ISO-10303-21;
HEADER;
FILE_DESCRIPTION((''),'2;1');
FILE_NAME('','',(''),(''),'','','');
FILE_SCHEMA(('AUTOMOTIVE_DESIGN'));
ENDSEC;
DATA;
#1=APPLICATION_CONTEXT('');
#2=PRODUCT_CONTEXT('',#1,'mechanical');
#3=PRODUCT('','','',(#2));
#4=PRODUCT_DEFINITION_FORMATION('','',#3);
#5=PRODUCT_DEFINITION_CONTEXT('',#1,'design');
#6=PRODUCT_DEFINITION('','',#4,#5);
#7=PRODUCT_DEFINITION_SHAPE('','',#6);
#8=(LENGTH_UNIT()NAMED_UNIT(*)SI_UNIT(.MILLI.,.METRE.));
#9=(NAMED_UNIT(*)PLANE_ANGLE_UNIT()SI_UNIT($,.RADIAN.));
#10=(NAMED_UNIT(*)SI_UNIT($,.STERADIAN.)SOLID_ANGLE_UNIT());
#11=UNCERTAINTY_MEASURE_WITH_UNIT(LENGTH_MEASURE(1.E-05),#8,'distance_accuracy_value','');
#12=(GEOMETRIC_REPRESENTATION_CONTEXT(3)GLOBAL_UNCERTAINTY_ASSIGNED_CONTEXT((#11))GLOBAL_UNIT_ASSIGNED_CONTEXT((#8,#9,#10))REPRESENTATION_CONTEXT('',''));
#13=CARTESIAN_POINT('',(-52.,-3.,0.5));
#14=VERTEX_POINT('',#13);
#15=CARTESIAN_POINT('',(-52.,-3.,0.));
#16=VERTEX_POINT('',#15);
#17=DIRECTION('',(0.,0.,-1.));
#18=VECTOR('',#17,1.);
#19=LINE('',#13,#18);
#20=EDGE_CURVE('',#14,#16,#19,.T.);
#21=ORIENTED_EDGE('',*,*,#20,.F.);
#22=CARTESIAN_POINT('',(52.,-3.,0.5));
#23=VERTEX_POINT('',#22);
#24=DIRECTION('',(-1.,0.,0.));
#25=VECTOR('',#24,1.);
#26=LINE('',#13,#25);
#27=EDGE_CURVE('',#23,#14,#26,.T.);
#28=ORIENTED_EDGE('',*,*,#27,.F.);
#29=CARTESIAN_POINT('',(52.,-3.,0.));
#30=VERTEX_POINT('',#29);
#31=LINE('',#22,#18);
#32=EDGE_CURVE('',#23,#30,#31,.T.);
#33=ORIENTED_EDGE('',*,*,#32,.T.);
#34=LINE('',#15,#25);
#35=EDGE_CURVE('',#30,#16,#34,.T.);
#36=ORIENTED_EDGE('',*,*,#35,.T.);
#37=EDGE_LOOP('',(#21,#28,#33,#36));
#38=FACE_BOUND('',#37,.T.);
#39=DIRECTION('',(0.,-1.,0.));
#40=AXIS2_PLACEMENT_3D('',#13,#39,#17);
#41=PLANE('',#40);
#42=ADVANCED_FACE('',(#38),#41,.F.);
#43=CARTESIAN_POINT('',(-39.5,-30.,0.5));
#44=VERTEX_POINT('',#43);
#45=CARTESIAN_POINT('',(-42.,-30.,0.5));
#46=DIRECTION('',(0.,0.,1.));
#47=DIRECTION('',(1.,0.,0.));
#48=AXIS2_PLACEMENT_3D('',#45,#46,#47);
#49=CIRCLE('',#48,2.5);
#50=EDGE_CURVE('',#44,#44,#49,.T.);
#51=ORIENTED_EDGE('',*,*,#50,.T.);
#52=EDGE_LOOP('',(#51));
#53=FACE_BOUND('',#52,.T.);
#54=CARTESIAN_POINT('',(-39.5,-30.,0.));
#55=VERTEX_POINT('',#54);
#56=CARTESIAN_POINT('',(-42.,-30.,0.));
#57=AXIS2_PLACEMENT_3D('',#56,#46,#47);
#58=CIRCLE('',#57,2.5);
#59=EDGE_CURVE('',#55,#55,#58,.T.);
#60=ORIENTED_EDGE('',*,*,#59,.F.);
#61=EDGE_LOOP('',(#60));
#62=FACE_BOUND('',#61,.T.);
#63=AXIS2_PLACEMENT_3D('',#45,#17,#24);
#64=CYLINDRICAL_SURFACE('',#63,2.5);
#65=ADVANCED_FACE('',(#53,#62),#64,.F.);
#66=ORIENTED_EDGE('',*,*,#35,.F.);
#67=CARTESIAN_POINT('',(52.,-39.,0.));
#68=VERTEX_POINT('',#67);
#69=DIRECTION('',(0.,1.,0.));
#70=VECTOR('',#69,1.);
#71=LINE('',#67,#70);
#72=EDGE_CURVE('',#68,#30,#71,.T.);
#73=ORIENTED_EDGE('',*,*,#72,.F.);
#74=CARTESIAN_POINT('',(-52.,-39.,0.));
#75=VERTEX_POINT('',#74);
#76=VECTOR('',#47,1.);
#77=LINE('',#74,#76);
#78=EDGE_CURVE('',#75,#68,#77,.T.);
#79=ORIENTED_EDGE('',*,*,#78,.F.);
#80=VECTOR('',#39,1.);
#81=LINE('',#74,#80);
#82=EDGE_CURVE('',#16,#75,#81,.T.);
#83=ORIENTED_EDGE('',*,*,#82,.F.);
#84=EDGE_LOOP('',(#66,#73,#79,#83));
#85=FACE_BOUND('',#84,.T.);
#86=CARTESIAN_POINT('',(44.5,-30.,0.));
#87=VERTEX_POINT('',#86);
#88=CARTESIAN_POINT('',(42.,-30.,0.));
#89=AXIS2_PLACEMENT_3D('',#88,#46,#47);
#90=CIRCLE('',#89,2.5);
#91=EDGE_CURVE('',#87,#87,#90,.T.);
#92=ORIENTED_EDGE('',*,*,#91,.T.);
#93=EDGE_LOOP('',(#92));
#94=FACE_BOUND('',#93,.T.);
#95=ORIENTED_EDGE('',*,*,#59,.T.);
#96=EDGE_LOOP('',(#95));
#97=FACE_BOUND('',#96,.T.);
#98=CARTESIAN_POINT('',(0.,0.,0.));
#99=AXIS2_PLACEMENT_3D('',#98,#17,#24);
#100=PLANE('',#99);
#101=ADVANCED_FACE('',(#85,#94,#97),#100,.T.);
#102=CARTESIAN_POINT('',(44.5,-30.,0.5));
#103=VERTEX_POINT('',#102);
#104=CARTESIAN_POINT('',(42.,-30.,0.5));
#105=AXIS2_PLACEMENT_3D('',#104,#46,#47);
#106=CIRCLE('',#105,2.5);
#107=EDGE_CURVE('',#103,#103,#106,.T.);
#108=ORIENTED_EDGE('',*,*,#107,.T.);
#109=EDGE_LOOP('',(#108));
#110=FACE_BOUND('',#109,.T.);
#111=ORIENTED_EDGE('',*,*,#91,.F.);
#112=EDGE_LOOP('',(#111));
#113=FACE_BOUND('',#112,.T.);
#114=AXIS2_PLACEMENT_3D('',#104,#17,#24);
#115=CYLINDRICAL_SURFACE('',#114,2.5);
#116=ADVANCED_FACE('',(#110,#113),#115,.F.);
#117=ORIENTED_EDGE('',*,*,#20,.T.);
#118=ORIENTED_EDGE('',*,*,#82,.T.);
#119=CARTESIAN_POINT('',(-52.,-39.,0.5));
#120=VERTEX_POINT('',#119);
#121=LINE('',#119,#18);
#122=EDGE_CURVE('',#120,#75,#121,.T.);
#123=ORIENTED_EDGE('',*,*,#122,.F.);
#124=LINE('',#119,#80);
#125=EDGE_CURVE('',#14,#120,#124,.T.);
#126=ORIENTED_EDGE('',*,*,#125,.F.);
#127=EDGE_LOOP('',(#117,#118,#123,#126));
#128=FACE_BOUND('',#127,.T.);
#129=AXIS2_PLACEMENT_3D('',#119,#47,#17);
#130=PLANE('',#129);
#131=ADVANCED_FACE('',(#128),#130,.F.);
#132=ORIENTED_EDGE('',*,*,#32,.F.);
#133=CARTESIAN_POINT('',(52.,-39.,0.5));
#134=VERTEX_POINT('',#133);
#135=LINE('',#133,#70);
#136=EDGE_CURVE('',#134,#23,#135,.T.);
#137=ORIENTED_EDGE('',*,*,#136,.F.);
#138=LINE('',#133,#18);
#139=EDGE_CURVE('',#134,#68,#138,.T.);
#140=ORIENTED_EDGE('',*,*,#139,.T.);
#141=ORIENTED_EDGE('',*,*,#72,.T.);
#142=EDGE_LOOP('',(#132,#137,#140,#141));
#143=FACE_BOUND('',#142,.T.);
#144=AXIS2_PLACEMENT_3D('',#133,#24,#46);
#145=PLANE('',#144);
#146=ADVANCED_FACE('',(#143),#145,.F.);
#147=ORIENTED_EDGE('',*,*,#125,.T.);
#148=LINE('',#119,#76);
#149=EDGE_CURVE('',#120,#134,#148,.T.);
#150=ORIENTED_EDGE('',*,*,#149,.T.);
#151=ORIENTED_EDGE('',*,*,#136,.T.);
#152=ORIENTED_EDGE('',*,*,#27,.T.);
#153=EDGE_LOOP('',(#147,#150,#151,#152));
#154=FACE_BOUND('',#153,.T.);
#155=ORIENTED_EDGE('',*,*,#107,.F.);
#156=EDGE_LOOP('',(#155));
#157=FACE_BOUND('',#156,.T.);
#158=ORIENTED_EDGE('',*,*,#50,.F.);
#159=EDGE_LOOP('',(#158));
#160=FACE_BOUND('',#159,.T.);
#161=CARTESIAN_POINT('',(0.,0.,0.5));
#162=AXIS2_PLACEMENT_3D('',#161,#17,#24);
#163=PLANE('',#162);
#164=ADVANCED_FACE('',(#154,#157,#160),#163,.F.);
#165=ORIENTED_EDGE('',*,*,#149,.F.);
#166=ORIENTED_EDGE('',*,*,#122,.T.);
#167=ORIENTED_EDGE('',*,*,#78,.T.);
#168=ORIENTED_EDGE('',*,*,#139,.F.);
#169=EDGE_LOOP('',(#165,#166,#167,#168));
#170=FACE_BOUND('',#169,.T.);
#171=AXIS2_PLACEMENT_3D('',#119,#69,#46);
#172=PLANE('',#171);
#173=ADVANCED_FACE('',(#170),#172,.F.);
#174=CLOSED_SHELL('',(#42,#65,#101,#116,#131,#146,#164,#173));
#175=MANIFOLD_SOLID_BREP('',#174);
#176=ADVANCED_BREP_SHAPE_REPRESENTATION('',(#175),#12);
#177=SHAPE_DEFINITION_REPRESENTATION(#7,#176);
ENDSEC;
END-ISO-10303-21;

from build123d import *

# Parameters (mm, degrees)
SKETCH_1_W            = 104
SKETCH_1_H            = 36
EXTRUDE_325_DEPTH     = 0.5
SKETCH_2_R            = 2.5
CUT_EXTRUDE_438_DEPTH = 0.5


with BuildPart() as part:
    # 草图1 → Extrude 325 (new body)
    with BuildSketch(Plane.XY):
        with Locations((0, -21)):
            Rectangle(SKETCH_1_W, SKETCH_1_H)
    extrude(amount=EXTRUDE_325_DEPTH)

    # 草图2 → Cut-Extrude 438 (cut)
    with BuildSketch(Plane.XY):
        with Locations((-42, -30)):
            Circle(SKETCH_2_R)
        with Locations((42, -30)):
            Circle(SKETCH_2_R)
    extrude(amount=CUT_EXTRUDE_438_DEPTH, mode=Mode.SUBTRACT)


solid = part.part
